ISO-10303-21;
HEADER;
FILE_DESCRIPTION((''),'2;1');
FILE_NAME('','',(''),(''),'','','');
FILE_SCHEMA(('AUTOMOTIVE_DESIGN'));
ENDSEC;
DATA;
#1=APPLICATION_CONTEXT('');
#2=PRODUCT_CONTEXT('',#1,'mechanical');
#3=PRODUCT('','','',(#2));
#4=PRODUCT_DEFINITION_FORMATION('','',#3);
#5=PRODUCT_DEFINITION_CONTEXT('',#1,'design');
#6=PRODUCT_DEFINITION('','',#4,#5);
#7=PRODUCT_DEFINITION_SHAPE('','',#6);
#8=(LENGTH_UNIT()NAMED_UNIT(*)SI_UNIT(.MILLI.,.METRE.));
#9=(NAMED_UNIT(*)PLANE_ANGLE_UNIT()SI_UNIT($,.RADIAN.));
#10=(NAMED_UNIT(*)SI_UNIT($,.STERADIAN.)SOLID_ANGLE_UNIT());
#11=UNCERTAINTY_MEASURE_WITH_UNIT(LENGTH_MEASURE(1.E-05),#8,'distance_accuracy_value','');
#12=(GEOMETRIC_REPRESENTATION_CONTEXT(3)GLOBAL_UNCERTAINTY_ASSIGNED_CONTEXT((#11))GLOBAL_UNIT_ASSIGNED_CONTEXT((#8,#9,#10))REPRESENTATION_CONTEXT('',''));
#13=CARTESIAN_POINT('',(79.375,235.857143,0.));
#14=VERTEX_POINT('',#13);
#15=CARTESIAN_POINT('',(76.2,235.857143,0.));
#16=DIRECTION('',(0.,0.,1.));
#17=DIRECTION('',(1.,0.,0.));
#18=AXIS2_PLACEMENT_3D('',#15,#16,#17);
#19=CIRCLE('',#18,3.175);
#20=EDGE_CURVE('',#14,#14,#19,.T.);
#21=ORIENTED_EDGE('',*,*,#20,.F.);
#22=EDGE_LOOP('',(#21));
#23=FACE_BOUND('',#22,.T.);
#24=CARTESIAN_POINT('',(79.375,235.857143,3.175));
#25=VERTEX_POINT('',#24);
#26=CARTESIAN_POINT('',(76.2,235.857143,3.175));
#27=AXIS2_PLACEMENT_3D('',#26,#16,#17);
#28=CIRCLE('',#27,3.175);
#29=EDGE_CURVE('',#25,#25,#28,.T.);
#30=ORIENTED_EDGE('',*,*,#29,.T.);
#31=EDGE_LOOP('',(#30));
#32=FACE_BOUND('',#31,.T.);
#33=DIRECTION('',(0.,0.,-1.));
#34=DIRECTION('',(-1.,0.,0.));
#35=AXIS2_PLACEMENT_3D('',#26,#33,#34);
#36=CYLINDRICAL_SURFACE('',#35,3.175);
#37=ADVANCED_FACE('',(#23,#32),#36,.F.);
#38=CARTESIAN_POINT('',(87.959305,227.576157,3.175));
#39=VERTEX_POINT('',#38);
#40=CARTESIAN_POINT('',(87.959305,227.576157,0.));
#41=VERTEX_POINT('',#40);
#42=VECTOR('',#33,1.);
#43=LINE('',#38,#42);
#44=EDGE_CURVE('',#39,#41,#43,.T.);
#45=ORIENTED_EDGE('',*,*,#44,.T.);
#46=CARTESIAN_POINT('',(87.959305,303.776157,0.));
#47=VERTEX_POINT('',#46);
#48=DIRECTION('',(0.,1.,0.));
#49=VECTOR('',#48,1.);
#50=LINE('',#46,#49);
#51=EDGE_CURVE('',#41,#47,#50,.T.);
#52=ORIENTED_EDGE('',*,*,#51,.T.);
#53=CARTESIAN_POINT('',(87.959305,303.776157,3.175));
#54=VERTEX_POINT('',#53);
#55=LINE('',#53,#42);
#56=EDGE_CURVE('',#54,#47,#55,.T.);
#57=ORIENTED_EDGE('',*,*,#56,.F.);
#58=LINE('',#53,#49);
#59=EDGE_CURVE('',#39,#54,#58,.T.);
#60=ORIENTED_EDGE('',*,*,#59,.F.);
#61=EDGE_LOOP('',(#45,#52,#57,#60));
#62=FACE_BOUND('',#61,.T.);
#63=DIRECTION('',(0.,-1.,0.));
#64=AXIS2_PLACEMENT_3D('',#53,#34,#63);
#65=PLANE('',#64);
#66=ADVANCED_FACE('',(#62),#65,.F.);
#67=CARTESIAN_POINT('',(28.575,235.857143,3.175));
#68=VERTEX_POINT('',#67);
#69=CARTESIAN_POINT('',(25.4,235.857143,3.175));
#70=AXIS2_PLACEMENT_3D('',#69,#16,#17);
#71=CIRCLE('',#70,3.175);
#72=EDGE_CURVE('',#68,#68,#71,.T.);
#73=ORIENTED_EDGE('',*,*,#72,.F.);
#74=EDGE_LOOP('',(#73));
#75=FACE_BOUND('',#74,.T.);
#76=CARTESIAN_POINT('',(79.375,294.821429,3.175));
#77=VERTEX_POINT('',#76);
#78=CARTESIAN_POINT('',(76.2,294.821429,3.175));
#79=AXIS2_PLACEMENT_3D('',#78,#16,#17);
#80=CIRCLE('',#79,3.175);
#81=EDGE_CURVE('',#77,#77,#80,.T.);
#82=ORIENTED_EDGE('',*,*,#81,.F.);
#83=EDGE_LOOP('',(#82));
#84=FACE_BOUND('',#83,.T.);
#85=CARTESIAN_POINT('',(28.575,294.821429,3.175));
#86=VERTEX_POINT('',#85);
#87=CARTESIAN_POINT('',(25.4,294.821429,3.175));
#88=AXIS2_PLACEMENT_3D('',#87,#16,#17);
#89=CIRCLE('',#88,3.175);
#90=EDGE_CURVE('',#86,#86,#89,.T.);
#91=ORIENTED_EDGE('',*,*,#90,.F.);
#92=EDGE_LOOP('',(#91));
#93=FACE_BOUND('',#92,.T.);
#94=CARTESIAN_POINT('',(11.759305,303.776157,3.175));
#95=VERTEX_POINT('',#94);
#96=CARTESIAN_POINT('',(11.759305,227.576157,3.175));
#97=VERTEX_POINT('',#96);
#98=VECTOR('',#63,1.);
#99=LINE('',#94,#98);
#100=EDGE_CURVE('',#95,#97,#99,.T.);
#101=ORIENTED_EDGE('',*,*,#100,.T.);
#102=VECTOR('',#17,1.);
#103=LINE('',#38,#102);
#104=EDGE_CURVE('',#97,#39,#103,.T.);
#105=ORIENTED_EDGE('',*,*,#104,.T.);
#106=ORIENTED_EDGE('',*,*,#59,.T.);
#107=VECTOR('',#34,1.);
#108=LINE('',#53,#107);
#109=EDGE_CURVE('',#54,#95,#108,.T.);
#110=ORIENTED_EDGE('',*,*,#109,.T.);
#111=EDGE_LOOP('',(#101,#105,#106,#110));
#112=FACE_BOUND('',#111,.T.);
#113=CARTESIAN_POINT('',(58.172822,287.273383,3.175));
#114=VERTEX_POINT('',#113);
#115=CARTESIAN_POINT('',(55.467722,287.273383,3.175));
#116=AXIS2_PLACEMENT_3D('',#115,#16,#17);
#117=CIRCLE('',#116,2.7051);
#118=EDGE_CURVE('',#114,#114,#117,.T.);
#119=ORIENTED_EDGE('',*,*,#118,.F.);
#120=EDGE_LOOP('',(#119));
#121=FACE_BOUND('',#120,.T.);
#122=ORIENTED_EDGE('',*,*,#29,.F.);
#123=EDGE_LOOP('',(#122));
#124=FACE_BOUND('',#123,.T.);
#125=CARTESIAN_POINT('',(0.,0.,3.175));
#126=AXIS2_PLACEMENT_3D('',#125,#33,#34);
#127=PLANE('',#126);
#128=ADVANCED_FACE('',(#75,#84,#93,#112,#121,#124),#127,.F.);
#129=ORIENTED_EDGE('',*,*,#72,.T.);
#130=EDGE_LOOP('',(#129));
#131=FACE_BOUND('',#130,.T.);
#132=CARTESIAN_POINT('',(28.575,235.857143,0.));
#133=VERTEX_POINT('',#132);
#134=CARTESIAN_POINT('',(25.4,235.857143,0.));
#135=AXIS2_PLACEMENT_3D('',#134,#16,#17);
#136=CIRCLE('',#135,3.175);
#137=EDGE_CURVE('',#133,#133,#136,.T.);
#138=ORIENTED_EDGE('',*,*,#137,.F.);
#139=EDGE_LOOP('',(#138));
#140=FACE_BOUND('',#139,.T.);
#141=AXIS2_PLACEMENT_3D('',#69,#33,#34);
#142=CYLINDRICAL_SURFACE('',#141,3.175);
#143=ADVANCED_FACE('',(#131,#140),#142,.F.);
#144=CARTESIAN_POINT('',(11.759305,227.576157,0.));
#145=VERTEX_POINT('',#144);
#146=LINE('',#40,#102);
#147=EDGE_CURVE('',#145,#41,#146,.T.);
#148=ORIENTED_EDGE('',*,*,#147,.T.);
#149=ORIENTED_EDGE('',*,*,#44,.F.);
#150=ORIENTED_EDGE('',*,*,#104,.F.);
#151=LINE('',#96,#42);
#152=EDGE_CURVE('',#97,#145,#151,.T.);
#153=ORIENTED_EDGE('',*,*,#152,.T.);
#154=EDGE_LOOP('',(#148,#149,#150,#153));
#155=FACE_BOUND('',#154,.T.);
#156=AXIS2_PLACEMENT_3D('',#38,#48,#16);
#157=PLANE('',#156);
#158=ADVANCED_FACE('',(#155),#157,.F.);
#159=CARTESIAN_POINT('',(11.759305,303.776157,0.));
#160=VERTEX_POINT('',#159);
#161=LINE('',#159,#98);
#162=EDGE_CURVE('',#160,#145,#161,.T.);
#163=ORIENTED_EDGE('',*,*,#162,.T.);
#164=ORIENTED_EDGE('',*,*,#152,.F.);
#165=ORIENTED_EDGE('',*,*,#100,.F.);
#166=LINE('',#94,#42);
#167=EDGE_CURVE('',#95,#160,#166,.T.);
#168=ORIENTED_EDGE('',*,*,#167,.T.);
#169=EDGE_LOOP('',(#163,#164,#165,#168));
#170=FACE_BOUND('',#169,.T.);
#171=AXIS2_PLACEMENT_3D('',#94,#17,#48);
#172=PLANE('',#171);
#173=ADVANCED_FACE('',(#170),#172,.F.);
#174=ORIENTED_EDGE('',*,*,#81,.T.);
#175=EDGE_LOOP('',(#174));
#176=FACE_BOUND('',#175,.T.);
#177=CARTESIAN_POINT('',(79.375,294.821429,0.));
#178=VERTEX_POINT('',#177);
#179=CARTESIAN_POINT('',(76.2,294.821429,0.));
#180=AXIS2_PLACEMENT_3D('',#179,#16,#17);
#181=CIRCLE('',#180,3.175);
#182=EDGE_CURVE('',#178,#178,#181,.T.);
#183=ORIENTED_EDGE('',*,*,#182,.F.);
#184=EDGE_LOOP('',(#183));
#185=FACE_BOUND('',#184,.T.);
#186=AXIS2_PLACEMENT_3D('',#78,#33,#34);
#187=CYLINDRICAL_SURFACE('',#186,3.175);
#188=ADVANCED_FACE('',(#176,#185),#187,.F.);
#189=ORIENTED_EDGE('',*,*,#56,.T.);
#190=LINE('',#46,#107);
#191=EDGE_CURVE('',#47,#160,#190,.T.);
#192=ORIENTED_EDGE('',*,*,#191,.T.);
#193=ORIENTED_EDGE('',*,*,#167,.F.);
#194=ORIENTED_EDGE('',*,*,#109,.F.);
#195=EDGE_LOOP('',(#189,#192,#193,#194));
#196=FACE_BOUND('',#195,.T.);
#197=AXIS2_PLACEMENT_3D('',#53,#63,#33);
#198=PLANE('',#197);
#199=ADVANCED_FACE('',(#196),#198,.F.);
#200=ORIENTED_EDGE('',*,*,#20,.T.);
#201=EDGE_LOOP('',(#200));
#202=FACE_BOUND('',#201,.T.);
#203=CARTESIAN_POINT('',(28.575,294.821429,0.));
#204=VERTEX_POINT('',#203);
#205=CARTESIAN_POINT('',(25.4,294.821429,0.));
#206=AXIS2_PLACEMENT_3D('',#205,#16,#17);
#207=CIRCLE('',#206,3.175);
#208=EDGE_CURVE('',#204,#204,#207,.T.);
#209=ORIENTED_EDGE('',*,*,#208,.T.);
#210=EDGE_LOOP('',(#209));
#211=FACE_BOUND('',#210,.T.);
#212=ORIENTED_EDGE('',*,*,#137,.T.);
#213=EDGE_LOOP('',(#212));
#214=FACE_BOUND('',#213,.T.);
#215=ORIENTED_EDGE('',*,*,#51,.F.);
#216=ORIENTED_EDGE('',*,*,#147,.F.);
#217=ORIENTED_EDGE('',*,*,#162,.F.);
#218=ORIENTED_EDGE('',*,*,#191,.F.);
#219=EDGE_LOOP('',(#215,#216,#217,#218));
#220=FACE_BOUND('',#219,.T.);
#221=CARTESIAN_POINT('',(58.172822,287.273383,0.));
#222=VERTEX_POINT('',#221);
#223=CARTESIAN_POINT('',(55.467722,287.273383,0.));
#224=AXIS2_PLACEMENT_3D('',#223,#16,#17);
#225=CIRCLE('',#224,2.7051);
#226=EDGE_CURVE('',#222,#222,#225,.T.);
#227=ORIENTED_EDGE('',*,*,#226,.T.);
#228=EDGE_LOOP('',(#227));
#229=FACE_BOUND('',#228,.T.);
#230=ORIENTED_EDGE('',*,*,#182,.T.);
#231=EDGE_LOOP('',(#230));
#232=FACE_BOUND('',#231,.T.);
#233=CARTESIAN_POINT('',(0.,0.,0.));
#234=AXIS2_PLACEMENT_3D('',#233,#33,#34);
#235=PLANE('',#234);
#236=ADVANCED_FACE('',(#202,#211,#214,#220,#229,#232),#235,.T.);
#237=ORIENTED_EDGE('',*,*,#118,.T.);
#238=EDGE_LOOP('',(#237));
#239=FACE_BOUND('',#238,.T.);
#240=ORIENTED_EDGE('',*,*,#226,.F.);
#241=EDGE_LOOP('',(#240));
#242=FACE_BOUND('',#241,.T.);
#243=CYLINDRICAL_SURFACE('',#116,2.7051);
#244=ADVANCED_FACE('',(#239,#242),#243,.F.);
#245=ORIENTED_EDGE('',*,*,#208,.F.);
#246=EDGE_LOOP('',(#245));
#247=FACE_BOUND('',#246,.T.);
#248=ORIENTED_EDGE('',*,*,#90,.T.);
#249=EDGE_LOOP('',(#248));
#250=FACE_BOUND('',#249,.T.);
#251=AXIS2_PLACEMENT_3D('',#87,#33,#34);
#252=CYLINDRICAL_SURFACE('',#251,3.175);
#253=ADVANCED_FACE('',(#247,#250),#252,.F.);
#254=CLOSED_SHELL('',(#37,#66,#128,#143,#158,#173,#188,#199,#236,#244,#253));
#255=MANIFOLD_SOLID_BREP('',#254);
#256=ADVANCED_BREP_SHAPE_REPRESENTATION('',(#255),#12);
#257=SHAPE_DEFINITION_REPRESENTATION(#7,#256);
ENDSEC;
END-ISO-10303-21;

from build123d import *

# Parameters (mm, degrees)
SKETCH1_W               = 76.2
SKETCH1_H               = 76.2
SKETCH1_R               = 3.175
BOSS_EXTRUDE1_DEPTH     = 3.175
F_1_4_28_TAPPED_HOLE3_D = 5.4102


with BuildPart() as part:
    # Sketch1 → Boss-Extrude1 (new body)
    with BuildSketch(Plane.XY):
        with Locations((49.8593053, 265.676157482)):
            Rectangle(SKETCH1_W, SKETCH1_H)
        with Locations((25.4, 235.857142857)):
            Circle(SKETCH1_R, mode=Mode.SUBTRACT)
        with Locations((25.4, 294.821428571)):
            Circle(SKETCH1_R, mode=Mode.SUBTRACT)
        with Locations((76.2, 235.857142857)):
            Circle(SKETCH1_R, mode=Mode.SUBTRACT)
        with Locations((76.2, 294.821428571)):
            Circle(SKETCH1_R, mode=Mode.SUBTRACT)
    extrude(amount=BOSS_EXTRUDE1_DEPTH)

    # 1/4-28 Tapped Hole3 (through all)
    with Locations(Plane.XY.offset(3.175)):
        with Locations((55.4677219, 287.273383219)):
            Hole(F_1_4_28_TAPPED_HOLE3_D / 2)


solid = part.part
